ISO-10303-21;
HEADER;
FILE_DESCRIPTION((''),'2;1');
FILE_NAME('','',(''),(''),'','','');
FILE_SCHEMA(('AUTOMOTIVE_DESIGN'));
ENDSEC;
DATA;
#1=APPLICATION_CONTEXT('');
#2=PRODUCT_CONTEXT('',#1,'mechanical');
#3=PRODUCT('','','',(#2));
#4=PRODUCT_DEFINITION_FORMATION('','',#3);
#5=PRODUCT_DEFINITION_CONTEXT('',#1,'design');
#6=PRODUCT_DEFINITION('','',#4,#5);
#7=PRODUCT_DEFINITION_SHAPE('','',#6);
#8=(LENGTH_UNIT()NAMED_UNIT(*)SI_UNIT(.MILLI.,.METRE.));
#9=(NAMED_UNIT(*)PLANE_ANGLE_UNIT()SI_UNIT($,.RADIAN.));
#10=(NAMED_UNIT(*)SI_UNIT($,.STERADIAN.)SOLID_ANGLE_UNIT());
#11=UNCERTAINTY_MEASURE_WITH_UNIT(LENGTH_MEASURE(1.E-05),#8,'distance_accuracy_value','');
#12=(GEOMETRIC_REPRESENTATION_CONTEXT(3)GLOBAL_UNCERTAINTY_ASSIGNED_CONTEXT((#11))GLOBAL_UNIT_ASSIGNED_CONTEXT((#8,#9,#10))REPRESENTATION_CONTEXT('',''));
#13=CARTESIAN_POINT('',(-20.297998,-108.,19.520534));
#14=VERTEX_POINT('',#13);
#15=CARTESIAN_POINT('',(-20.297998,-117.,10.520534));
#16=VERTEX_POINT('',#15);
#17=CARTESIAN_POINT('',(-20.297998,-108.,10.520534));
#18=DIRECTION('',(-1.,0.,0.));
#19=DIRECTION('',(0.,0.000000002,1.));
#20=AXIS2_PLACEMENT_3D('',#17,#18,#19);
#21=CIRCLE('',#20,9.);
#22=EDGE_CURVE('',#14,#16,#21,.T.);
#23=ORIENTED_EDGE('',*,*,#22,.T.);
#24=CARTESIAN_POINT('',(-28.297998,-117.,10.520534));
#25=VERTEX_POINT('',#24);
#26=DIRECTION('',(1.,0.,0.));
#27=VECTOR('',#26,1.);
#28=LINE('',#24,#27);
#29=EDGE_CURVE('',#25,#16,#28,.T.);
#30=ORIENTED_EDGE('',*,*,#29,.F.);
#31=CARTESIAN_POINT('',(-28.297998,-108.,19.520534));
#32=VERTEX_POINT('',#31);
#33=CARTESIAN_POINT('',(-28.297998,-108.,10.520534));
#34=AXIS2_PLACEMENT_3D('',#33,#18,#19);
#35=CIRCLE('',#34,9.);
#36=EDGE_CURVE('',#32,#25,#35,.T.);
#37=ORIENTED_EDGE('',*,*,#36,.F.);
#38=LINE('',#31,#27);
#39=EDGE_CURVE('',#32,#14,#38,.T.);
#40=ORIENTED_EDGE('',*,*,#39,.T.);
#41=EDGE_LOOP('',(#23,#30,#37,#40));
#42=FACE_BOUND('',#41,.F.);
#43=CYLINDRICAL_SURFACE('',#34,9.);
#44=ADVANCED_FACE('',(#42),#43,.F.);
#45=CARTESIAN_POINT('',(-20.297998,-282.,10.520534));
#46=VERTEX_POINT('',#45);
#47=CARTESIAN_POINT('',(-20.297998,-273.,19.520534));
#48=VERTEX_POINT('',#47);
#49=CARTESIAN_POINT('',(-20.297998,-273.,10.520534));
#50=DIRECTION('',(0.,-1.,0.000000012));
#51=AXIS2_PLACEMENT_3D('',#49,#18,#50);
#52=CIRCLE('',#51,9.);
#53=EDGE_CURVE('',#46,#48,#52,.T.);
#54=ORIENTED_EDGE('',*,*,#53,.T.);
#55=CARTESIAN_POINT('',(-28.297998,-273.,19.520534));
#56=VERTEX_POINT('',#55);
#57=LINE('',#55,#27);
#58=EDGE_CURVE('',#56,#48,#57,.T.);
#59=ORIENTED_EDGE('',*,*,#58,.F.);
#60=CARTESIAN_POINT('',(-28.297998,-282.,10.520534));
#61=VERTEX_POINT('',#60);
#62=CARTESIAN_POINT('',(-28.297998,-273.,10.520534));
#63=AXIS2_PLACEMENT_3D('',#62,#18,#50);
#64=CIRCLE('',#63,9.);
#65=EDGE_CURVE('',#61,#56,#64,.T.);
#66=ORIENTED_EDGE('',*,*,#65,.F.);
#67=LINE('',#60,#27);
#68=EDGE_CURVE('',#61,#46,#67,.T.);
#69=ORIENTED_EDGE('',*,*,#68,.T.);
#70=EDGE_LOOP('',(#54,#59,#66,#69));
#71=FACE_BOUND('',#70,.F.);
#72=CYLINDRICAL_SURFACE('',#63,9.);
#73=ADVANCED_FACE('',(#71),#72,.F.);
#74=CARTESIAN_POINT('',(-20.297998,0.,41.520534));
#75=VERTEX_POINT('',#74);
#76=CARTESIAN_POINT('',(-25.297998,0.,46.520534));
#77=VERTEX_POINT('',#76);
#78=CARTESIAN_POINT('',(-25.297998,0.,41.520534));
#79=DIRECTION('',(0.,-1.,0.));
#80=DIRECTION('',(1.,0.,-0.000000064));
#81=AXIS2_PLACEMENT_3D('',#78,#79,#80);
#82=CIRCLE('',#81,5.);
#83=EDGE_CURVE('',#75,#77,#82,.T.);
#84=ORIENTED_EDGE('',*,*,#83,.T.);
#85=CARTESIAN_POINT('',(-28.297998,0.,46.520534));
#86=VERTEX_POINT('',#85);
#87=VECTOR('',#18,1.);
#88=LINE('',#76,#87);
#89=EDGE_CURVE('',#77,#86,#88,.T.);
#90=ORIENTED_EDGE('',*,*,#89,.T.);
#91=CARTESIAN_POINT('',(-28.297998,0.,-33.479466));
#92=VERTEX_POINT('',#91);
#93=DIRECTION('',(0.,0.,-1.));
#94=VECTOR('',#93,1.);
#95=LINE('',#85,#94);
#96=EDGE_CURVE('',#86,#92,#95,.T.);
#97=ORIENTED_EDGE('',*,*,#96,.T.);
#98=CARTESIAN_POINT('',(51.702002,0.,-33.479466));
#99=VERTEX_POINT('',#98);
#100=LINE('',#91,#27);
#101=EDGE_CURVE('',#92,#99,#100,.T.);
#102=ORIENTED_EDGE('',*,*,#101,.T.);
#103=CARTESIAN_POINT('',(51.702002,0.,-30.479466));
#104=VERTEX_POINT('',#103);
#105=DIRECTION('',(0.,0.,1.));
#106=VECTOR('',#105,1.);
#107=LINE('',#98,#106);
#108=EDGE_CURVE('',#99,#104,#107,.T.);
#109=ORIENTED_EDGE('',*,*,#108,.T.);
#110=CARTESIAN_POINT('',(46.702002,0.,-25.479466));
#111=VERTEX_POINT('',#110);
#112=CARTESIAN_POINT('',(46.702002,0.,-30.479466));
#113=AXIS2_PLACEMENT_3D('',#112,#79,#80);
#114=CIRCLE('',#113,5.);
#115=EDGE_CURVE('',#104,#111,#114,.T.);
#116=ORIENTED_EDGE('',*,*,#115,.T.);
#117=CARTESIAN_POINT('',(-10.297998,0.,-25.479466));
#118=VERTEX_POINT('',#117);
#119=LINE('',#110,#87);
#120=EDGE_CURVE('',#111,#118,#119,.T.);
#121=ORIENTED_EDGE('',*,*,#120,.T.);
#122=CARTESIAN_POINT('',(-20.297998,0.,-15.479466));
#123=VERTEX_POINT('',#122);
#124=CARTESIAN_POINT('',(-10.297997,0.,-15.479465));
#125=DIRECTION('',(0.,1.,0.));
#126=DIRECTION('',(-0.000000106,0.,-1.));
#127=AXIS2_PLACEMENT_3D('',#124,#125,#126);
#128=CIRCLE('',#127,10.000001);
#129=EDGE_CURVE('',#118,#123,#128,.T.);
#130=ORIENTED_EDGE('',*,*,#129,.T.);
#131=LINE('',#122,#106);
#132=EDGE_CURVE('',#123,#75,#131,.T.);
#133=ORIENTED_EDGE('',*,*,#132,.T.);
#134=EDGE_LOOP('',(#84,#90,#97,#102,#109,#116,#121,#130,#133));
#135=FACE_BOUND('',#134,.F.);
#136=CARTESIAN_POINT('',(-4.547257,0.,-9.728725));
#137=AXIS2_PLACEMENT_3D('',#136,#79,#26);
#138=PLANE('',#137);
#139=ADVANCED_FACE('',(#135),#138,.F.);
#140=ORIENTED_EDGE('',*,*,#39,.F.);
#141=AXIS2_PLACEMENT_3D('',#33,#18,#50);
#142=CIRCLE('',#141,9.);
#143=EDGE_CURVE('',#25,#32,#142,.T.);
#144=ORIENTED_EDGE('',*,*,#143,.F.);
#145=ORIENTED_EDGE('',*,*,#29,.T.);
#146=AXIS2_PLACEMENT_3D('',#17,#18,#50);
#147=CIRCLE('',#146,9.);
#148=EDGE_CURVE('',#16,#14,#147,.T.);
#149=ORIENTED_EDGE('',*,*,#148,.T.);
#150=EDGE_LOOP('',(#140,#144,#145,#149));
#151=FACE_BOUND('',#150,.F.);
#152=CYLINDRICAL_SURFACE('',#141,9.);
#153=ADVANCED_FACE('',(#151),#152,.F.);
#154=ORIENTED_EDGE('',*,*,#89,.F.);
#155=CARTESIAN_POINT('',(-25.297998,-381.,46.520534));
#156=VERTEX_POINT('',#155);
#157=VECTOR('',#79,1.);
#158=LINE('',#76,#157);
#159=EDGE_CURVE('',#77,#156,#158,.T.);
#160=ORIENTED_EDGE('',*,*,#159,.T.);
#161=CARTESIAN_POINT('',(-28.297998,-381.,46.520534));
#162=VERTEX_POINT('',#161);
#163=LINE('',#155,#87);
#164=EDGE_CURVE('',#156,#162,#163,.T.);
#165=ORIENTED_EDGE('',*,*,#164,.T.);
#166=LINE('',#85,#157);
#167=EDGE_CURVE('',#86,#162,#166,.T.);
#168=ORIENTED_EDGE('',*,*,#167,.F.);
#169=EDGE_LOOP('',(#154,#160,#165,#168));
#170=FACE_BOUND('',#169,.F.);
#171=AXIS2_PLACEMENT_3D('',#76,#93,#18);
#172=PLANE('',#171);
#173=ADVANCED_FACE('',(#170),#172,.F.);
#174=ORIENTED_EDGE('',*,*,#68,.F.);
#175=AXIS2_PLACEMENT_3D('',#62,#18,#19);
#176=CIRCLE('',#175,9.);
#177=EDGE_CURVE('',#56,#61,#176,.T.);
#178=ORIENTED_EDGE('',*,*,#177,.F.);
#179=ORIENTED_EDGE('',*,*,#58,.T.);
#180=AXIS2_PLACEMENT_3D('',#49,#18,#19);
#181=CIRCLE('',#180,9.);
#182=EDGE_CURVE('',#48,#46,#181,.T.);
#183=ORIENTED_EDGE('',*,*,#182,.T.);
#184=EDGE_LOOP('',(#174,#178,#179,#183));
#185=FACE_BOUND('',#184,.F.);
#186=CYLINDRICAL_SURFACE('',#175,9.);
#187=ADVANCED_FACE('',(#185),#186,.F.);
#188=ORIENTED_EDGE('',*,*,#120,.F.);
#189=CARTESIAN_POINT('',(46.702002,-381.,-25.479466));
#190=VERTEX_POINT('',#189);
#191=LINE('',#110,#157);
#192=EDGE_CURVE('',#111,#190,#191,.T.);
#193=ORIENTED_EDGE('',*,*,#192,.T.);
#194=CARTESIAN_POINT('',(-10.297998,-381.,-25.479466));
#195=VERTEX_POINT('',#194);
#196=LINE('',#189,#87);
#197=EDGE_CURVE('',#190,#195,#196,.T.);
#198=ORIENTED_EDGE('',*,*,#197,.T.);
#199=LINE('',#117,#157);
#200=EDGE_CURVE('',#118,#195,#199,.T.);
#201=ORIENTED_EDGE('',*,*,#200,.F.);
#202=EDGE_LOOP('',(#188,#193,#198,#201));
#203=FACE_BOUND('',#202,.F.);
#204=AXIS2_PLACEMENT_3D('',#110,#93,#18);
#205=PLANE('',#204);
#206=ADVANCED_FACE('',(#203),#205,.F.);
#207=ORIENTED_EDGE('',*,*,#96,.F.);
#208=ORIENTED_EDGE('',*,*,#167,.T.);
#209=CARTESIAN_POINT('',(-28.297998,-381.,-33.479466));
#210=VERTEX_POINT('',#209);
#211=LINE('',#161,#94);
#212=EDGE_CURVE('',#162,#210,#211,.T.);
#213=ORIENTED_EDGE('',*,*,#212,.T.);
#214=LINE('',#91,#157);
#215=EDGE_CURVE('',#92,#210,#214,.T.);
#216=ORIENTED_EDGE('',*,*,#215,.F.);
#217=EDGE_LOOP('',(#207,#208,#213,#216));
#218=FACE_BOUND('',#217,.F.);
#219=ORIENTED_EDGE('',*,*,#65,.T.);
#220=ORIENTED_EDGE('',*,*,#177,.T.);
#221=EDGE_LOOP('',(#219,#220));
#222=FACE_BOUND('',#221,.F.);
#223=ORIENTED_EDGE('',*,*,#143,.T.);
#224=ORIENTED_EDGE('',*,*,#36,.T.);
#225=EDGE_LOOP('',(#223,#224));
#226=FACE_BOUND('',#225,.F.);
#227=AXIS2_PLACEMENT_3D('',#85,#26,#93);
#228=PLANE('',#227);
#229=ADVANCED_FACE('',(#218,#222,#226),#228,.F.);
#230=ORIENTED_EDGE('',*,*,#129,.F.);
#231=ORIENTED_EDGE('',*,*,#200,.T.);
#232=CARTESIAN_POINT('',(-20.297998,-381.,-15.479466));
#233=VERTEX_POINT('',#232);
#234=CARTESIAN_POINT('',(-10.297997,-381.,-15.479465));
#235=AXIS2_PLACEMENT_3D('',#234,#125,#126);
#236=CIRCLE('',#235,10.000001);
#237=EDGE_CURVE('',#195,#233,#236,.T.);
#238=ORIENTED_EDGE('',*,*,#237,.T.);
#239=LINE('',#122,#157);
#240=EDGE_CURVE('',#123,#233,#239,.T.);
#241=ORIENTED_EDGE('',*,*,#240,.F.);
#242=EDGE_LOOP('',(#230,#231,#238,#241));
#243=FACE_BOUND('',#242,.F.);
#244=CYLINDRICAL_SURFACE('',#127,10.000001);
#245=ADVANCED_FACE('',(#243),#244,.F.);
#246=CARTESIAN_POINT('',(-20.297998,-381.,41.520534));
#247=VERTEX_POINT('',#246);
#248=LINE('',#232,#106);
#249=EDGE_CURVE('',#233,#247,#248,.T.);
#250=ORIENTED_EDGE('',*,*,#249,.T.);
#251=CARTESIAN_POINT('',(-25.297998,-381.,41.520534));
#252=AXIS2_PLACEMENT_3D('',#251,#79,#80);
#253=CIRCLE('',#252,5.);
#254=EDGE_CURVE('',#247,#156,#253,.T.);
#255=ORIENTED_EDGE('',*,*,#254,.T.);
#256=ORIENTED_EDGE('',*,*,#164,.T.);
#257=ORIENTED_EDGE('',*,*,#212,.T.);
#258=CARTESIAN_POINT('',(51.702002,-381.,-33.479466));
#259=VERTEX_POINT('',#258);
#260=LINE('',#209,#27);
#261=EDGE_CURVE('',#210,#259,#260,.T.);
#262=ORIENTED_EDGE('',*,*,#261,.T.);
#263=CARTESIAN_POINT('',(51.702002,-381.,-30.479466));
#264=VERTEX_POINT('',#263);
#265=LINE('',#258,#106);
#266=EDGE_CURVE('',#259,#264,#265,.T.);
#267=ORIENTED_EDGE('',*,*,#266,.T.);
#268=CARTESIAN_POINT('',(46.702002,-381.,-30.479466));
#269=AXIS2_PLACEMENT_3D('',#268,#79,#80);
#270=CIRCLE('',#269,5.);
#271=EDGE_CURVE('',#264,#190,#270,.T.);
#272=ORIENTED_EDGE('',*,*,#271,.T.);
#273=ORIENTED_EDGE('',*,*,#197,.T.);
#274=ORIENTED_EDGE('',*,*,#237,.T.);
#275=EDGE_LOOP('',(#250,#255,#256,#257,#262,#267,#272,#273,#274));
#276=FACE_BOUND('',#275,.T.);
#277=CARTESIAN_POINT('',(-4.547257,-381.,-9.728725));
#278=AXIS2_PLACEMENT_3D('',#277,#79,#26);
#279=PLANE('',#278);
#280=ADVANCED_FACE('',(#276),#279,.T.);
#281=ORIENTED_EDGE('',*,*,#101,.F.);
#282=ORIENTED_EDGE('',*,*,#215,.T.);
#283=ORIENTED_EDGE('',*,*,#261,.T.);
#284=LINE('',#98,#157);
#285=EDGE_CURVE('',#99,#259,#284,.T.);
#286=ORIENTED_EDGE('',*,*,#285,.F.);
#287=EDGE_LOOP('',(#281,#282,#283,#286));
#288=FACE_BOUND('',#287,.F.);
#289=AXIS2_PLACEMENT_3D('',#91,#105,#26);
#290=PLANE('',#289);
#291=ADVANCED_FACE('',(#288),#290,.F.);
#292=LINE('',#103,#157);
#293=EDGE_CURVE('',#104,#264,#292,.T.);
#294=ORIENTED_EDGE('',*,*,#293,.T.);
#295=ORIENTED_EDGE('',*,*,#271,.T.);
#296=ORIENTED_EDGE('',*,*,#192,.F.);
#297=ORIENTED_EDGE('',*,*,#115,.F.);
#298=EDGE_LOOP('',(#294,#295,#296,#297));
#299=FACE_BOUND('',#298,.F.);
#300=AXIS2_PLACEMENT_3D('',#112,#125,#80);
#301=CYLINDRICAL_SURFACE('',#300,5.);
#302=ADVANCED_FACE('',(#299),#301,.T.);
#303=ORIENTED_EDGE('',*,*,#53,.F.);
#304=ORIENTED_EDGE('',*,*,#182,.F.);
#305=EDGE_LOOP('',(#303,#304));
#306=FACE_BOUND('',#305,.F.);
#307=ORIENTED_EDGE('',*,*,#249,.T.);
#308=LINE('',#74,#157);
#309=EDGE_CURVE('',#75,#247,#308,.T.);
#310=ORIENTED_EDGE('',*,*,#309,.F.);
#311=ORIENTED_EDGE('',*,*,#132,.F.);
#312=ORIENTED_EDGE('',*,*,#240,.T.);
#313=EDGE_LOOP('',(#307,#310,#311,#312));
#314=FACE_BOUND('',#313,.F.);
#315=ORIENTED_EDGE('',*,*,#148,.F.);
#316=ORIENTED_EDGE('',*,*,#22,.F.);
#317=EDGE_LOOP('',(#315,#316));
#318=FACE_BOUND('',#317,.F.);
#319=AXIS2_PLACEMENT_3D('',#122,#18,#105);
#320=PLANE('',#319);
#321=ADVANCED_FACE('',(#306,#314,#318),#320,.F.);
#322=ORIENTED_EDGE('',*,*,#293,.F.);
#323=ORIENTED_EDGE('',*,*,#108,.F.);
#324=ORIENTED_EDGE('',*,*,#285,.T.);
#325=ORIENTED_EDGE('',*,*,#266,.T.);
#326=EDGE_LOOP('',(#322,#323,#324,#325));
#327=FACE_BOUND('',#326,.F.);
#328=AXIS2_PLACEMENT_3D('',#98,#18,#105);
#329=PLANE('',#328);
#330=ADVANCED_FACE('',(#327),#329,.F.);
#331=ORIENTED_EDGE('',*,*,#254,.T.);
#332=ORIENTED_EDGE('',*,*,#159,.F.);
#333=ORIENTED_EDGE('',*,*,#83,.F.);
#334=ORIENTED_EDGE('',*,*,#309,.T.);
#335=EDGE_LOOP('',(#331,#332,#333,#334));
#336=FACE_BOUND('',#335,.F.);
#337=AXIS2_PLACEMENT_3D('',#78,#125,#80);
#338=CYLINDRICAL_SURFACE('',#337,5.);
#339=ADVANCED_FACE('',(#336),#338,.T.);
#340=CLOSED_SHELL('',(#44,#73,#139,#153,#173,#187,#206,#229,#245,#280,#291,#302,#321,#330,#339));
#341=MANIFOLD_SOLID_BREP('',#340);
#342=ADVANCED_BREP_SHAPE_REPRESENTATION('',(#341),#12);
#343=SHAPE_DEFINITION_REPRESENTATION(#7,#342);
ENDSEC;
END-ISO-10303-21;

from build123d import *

# Parameters (mm, degrees)
F1_DEPTH = 381
F3_DEPTH = 8


with BuildPart() as f1:
    # F0 (on Front) → F1 (new body)
    with BuildSketch(Plane.XZ):
        with BuildLine():
            Line((-25.297998, 46.520534), (-28.297998, 46.520534))
            Line((-28.297998, 46.520534), (-28.297998, -33.479466))
            Line((-28.297998, -33.479466), (51.702002, -33.479466))
            Line((51.702002, -33.479466), (51.702002, -30.479466))
            ThreePointArc((51.702002, -30.479466), (50.237536, -26.943932), (46.702002, -25.479466))
            Line((46.702002, -25.479466), (-10.297998, -25.479466))
            ThreePointArc((-10.297998, -25.479466), (-17.369065, -22.550534), (-20.297998, -15.479466))
            Line((-20.297998, -15.479466), (-20.297998, 41.520534))
            ThreePointArc((-20.297998, 41.520534), (-21.762464, 45.056068), (-25.297998, 46.520534))
        make_face()
    extrude(amount=F1_DEPTH)

    # F2 (on face) → F3 (cut, through all)
    with BuildSketch(Plane(origin=(-28.297998, 0, 0), x_dir=(0, -1, 0), z_dir=(-1, 0, 0))):
        with BuildLine():
            ThreePointArc((117, 10.520534), (114.363961, 16.884495), (108, 19.520534))
            ThreePointArc((108, 19.520534), (101.636039, 4.156573), (117, 10.520534))
        make_face()
        with BuildLine():
            ThreePointArc((282, 10.520534), (279.363961, 16.884495), (273, 19.520534))
            ThreePointArc((273, 19.520534), (266.636039, 4.156573), (282, 10.520534))
        make_face()
    extrude(amount=-F3_DEPTH, mode=Mode.SUBTRACT)


solid = f1.part
